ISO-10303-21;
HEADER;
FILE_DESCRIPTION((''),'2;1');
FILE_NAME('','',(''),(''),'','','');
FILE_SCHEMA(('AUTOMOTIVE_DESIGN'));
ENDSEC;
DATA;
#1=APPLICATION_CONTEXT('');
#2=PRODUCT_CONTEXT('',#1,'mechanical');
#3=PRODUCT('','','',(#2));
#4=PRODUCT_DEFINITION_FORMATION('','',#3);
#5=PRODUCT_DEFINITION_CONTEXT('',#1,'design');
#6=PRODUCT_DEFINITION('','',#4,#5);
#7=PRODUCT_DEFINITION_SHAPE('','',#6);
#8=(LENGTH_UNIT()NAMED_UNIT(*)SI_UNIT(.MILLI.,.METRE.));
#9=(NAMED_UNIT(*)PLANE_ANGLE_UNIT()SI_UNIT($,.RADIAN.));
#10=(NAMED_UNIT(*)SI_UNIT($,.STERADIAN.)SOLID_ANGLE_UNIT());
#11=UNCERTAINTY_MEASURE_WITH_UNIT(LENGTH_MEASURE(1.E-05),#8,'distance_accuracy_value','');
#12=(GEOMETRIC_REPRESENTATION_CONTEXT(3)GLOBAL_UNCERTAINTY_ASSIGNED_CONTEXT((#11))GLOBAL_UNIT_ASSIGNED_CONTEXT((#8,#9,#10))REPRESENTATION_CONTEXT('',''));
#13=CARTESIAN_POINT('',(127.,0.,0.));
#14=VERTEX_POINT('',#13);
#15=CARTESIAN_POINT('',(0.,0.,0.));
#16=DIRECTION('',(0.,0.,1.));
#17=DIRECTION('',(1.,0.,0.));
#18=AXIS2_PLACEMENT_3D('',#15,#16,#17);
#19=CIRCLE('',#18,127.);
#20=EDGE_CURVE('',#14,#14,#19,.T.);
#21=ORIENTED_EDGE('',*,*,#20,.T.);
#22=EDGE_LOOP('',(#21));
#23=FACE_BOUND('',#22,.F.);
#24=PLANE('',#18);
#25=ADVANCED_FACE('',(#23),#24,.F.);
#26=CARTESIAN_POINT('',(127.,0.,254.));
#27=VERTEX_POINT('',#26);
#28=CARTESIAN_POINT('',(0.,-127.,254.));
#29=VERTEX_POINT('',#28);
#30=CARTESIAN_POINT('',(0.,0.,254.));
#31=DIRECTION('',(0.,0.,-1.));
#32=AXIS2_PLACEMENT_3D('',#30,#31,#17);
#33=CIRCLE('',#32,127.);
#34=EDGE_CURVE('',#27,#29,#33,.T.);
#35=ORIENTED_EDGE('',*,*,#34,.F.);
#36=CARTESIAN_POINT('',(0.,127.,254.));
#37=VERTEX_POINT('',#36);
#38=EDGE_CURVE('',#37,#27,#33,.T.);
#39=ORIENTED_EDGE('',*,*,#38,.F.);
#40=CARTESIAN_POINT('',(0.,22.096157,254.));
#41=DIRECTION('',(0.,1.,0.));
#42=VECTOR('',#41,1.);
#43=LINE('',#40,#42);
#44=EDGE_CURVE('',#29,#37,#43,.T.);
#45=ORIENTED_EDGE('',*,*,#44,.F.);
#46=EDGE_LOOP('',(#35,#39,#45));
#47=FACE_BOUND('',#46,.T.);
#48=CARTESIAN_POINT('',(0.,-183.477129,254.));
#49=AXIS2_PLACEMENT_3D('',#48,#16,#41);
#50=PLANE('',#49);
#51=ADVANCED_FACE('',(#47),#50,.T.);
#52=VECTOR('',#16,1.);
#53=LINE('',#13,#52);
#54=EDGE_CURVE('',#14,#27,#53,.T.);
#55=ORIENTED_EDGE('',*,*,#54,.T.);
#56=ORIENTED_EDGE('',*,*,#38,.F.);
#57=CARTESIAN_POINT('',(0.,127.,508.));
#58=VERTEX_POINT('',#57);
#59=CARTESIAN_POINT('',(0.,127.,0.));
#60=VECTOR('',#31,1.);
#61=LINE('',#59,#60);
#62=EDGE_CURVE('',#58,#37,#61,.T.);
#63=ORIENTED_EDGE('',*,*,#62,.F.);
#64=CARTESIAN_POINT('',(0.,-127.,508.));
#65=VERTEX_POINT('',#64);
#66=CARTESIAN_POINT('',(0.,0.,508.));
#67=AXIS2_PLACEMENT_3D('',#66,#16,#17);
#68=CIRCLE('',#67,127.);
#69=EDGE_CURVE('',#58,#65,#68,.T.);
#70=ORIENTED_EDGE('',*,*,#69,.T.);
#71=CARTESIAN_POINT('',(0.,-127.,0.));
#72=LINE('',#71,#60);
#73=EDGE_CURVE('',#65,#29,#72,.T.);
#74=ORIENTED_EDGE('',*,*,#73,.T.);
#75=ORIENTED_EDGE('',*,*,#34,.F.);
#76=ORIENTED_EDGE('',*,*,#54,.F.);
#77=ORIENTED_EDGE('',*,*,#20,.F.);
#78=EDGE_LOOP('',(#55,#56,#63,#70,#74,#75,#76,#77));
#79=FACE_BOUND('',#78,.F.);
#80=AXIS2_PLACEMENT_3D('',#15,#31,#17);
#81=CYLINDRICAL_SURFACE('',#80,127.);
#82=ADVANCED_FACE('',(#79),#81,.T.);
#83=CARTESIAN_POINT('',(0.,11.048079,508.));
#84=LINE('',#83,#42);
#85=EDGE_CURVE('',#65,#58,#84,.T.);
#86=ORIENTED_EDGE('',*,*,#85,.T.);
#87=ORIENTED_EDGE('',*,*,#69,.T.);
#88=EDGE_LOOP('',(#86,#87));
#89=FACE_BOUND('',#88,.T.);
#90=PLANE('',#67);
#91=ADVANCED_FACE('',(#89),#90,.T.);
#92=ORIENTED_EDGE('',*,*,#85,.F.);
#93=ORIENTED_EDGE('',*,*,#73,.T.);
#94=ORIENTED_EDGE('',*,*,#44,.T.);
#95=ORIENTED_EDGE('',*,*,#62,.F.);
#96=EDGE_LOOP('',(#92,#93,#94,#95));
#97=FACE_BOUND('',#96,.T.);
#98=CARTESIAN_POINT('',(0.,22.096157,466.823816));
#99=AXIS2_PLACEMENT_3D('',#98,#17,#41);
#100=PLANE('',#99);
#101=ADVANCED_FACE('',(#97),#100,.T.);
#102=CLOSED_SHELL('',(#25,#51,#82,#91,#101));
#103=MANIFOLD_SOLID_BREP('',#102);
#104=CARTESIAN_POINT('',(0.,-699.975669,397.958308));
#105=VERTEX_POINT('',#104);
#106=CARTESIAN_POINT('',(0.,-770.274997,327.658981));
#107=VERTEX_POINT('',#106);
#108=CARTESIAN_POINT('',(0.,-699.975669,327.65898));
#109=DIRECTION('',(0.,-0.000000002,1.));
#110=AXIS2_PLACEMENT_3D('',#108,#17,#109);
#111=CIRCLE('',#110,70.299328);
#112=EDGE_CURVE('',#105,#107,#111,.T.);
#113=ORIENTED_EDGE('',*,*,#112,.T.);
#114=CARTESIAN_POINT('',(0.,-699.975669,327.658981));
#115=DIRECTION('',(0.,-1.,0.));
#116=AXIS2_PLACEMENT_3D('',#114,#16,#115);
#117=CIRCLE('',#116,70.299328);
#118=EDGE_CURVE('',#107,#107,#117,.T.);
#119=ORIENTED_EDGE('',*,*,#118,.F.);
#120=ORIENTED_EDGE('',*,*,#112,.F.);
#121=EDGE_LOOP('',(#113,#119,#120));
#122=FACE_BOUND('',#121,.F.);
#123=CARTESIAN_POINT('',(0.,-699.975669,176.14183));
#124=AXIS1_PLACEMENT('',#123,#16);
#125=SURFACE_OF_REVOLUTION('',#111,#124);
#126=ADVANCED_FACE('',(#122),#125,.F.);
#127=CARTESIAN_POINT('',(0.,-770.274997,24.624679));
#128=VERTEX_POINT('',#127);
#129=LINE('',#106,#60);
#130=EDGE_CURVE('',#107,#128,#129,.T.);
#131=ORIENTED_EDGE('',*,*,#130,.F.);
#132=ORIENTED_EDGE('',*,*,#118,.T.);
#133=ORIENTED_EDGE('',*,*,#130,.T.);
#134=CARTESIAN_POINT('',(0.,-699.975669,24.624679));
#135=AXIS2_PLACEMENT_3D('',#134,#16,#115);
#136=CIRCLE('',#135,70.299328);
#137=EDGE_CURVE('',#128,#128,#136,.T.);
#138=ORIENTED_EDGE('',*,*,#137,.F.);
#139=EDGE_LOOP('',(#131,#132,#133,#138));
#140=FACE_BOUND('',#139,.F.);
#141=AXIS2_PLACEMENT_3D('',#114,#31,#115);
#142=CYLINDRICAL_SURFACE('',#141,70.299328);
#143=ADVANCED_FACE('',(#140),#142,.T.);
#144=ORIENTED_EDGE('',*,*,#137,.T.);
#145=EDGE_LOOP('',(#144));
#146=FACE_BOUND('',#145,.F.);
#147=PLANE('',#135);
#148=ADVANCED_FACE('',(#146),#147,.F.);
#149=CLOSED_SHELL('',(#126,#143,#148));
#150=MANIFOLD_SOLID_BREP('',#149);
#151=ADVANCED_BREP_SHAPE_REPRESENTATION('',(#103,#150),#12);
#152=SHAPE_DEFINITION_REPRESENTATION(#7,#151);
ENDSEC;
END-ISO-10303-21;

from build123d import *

# Parameters (mm, degrees)
F0_R     = 127
F1_DEPTH = 508
F2_W     = 411.146572
F2_H     = 425.647633
F3_DEPTH = 127.001


with BuildPart() as f1:
    # F0 (on Top) → F1 (new body)
    with BuildSketch(Plane.XY):
        Circle(F0_R)
    extrude(amount=F1_DEPTH)

    # F2 (on Right) → F3 (cut, through all)
    with BuildSketch(Plane.YZ):
        with Locations((22.096157, 466.823816)):
            Rectangle(F2_W, F2_H)
    extrude(amount=F3_DEPTH, mode=Mode.SUBTRACT)


with BuildPart() as f5:
    # F4 (on Right) → F5 (revolve)
    with BuildSketch(Plane.YZ):
        with BuildLine():
            Line((-699.975669, 327.658981), (-699.975669, 397.958308))
            ThreePointArc((-699.975669, 397.958308), (-749.6848, 377.368112), (-770.274997, 327.658981))
            Line((-770.274997, 327.658981), (-770.274997, 24.624679))
            Line((-770.274997, 24.624679), (-699.975669, 24.624679))
            Line((-699.975669, 24.624679), (-699.975669, 327.658981))
        make_face()
    revolve(axis=Axis((0, -699.975669, 176.14183), (0, 0, 1)))


solid = Compound([f1.part, f5.part])
